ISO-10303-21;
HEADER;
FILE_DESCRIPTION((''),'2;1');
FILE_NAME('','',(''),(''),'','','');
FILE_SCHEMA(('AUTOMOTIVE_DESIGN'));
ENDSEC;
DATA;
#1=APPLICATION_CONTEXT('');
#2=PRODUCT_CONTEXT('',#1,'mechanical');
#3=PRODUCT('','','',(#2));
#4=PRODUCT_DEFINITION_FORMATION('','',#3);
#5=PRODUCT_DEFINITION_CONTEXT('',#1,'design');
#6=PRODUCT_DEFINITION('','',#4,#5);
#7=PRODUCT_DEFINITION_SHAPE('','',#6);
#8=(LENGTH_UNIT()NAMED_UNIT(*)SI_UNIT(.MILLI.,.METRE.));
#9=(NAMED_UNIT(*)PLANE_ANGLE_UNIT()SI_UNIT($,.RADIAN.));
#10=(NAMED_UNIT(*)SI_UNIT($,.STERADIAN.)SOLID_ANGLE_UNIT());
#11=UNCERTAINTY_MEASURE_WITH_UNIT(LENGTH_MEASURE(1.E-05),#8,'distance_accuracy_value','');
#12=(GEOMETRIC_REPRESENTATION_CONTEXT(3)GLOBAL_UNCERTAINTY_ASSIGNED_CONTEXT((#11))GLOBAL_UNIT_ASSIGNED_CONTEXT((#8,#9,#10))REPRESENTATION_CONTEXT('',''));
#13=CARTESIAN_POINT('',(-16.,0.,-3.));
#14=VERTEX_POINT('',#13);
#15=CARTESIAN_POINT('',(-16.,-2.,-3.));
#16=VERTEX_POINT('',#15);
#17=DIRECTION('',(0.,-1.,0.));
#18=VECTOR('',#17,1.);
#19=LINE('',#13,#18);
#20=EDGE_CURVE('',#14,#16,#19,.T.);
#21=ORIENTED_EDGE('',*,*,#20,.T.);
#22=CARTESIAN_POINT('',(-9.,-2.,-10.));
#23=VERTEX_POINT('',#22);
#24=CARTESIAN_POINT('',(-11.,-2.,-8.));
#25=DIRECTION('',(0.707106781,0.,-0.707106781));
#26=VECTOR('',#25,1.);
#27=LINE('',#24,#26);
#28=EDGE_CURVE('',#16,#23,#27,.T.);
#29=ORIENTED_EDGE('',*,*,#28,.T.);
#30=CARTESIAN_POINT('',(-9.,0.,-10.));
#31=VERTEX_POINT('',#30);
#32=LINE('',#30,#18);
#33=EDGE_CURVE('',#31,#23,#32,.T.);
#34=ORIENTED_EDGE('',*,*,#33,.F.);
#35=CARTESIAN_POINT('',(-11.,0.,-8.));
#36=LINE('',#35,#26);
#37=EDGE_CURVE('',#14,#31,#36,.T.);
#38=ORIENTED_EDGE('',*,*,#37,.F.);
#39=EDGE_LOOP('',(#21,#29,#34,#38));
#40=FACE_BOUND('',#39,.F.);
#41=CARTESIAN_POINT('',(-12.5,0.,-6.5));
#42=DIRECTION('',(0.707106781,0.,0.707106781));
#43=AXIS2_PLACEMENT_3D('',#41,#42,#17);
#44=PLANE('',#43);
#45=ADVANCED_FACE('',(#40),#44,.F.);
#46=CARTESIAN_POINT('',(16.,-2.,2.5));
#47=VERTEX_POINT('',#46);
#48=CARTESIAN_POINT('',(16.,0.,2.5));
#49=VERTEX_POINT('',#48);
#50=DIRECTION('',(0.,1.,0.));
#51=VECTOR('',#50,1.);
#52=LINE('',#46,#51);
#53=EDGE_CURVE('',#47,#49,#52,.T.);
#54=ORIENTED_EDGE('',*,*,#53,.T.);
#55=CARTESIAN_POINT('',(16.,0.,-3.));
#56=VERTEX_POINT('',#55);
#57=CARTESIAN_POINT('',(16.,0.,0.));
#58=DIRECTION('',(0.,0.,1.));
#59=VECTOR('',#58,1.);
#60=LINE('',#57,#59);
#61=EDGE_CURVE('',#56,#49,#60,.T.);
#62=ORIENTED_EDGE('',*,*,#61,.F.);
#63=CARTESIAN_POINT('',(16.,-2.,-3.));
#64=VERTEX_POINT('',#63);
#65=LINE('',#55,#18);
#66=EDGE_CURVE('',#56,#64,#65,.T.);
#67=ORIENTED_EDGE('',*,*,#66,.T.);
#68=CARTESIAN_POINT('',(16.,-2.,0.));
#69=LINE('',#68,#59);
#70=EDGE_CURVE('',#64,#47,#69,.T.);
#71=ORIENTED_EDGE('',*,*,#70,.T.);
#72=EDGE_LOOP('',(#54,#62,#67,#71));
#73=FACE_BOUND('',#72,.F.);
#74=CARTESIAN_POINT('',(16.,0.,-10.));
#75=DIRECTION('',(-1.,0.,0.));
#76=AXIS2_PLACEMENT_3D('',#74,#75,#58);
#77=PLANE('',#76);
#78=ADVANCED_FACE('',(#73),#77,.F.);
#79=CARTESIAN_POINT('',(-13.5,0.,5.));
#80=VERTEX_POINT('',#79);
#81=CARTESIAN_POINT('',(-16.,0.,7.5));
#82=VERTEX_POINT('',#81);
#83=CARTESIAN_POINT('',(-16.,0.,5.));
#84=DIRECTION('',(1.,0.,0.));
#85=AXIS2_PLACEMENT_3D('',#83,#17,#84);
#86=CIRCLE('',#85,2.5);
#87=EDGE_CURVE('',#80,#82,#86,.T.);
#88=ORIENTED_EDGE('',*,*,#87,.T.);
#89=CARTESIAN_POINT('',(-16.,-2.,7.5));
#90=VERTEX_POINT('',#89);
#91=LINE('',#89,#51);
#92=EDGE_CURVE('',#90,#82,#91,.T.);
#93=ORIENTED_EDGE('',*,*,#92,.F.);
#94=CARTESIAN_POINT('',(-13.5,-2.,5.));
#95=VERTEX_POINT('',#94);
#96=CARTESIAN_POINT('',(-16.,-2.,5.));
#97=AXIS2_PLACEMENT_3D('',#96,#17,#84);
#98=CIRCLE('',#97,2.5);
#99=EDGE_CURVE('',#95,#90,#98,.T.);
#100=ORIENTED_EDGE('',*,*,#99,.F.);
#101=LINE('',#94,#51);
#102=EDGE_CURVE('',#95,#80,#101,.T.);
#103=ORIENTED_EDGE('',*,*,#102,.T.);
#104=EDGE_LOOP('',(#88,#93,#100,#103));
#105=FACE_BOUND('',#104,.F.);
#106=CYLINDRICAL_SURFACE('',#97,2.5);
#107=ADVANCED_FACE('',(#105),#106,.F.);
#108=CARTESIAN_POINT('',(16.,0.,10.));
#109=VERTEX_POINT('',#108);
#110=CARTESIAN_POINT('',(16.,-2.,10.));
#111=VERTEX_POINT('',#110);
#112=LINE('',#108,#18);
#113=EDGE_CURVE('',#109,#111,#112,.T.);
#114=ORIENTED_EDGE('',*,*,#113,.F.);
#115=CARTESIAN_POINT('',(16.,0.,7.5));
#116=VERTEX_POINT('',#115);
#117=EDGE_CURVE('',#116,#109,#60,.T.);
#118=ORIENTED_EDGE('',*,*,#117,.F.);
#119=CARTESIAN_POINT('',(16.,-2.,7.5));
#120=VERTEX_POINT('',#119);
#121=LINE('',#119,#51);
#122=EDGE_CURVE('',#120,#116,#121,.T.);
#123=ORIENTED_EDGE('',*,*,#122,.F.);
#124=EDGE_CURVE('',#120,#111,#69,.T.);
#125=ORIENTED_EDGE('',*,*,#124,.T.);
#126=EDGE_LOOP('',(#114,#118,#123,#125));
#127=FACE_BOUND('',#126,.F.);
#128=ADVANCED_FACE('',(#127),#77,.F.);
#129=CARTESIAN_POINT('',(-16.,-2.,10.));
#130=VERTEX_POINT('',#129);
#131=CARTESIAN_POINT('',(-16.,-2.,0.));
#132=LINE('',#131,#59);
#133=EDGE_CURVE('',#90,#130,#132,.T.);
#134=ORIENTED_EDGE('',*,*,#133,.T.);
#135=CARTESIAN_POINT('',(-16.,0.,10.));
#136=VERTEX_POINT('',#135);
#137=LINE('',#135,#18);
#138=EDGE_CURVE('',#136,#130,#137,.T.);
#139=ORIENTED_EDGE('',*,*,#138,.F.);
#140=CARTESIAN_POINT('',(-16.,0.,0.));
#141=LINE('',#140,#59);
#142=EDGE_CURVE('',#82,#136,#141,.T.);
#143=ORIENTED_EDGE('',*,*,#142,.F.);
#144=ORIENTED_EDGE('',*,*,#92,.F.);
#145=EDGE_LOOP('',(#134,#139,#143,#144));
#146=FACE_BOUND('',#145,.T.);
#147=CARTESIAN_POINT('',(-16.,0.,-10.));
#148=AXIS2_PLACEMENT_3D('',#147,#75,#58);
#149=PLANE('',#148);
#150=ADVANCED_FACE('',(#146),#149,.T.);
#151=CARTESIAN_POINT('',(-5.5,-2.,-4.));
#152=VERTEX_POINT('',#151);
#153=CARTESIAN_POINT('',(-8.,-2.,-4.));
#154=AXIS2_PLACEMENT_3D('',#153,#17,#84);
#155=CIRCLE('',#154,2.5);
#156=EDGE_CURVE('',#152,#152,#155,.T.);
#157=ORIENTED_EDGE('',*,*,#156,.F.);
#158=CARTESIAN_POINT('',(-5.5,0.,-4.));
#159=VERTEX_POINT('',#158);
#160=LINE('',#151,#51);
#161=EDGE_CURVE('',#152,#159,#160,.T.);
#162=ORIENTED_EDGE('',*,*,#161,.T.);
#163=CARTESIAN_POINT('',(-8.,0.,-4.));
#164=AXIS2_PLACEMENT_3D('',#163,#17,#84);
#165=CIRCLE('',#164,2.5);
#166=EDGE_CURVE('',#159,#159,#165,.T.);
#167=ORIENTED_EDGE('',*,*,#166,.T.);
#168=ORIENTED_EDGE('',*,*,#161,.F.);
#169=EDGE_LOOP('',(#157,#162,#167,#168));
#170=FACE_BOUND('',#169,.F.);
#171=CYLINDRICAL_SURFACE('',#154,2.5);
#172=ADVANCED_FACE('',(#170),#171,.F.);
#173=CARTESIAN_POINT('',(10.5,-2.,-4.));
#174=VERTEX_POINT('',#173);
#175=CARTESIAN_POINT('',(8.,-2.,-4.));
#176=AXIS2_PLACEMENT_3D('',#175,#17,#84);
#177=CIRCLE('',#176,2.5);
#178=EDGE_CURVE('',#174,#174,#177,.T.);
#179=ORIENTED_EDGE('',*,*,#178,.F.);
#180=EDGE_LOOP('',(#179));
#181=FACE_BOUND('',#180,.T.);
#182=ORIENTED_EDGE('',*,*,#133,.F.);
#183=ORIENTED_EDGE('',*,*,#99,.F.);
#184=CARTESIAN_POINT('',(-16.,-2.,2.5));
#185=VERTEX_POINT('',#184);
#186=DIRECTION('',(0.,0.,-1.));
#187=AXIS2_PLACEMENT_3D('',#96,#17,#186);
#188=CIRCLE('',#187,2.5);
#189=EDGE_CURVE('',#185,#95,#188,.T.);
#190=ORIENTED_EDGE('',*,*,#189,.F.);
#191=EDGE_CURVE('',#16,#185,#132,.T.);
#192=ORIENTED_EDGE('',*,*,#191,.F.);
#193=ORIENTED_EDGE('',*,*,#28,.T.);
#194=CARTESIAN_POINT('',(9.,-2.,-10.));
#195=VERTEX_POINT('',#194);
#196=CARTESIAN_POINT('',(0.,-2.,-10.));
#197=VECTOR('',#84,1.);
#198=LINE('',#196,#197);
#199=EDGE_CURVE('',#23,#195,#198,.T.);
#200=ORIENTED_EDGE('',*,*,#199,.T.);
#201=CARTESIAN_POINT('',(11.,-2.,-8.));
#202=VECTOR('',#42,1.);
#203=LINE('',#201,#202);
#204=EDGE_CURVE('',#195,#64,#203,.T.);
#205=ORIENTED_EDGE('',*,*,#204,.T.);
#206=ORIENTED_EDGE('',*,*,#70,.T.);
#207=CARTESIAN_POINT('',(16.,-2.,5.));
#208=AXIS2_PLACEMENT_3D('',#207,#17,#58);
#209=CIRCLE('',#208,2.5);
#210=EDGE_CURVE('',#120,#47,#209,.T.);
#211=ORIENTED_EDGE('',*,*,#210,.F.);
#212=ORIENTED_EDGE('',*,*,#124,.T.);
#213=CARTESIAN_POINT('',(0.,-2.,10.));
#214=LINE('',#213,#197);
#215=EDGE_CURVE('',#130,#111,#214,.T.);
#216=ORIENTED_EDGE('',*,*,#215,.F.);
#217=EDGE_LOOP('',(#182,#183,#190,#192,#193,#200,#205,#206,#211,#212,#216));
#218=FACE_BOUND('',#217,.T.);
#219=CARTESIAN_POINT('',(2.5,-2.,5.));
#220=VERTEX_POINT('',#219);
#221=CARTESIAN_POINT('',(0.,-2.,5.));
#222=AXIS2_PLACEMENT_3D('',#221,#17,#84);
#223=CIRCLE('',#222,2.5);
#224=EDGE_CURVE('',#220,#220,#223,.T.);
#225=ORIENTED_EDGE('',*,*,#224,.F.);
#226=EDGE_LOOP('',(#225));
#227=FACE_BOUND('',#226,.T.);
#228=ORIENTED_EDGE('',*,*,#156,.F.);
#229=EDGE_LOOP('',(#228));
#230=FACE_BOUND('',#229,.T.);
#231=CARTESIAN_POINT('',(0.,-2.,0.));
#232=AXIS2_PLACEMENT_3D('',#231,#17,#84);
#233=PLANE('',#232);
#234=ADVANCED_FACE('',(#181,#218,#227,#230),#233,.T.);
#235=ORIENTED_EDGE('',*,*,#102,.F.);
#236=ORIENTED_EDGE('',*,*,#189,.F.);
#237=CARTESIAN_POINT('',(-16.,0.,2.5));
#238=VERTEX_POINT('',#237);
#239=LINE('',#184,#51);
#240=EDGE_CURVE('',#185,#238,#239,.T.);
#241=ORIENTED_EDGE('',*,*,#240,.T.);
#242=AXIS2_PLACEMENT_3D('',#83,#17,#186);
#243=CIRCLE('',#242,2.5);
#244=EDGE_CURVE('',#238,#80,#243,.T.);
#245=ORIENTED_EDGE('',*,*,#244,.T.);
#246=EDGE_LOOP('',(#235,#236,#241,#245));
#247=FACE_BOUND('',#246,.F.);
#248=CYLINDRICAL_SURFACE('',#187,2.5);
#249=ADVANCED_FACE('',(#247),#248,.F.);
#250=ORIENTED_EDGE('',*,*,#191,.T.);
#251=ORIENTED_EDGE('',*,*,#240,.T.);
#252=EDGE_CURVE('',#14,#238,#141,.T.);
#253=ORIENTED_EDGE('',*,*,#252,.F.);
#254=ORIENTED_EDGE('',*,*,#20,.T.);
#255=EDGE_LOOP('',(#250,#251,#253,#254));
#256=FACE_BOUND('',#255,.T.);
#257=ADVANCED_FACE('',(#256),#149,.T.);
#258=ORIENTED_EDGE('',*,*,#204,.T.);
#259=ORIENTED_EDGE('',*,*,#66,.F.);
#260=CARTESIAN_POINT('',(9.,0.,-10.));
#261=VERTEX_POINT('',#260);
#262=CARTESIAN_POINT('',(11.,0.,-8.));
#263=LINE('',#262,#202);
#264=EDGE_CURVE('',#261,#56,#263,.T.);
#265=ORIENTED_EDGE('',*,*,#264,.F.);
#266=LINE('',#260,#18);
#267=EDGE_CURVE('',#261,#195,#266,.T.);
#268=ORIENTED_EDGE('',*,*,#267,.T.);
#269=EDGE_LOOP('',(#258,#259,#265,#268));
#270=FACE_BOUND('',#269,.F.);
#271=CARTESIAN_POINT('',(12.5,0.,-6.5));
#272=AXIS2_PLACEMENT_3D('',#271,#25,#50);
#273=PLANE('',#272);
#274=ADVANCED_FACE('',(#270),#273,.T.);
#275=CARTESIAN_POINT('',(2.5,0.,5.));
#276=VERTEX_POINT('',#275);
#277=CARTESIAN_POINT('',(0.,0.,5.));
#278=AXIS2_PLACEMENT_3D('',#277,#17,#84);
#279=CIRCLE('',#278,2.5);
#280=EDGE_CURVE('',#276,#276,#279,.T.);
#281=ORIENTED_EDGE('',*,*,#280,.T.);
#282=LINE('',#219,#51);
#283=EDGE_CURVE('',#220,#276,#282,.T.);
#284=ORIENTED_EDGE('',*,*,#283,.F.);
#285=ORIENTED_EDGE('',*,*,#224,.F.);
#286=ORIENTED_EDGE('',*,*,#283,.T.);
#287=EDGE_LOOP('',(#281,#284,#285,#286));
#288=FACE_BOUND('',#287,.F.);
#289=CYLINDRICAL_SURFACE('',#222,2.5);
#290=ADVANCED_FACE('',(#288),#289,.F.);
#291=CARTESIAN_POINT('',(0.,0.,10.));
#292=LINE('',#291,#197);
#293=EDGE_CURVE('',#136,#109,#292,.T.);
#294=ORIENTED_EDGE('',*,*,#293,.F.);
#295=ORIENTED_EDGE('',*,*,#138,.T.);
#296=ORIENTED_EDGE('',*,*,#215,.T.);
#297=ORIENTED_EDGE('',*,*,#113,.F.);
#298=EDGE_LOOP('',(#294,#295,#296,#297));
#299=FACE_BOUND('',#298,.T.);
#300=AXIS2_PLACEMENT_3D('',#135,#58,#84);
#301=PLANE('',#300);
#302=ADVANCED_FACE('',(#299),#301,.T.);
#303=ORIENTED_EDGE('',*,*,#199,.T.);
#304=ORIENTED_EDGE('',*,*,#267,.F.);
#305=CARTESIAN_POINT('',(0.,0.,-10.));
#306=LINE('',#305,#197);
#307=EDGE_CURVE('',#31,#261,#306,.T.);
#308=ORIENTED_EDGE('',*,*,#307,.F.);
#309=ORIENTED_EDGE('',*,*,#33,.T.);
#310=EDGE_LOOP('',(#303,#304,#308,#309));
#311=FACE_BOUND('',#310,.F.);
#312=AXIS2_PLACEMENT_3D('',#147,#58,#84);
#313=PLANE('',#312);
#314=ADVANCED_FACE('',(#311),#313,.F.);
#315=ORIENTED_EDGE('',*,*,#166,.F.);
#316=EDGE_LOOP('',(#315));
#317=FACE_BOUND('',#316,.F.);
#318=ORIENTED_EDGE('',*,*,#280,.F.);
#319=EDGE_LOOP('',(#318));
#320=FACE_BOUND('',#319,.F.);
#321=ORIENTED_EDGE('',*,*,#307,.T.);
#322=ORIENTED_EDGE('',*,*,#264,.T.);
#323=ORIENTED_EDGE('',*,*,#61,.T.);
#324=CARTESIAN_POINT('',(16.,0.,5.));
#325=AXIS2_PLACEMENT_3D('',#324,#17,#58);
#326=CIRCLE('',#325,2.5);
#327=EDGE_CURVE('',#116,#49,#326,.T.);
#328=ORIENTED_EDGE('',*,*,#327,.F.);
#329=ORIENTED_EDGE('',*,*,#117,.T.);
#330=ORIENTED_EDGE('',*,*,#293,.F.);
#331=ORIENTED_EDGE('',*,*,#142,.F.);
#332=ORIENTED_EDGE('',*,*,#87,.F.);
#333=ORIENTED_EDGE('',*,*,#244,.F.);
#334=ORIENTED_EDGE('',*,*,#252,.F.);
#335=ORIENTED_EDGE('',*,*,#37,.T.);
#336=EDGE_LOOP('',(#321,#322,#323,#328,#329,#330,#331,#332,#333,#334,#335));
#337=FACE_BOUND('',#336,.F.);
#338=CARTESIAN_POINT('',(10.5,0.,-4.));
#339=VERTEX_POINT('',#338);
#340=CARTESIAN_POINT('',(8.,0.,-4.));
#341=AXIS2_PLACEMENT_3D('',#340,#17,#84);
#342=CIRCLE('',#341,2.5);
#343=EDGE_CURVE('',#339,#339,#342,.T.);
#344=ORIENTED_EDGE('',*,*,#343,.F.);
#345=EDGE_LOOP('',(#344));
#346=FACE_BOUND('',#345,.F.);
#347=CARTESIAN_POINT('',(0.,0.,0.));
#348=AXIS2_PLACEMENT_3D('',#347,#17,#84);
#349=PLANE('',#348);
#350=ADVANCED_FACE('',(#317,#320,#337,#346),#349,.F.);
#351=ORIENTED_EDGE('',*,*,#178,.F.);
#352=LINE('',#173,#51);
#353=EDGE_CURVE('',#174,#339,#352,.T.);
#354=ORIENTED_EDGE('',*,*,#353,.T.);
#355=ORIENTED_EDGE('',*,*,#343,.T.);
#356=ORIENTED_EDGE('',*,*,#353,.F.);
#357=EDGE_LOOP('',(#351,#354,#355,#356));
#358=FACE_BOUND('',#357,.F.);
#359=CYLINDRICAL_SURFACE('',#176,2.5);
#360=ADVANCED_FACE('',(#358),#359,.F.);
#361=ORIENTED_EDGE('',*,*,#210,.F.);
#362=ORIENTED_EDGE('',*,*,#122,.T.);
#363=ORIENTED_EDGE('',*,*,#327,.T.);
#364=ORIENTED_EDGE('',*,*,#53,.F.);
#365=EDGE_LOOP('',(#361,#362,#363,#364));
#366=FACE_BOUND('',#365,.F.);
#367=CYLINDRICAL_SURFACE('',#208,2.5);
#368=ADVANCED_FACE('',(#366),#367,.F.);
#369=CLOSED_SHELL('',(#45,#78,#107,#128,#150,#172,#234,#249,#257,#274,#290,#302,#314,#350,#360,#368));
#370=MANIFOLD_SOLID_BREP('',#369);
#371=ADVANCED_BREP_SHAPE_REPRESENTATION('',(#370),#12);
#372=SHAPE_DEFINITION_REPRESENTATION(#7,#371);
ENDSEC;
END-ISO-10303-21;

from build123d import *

# Parameters (mm, degrees)
F0_W     = 32
F0_H     = 20
F1_DEPTH = 2
F2_SIZE  = 7
F3_R     = 2.5
F4_DEPTH = 25


with BuildPart() as f1:
    # F0 (on Front) → F1 (new body)
    with BuildSketch(Plane.XZ):
        Rectangle(F0_W, F0_H)
    extrude(amount=F1_DEPTH)

    # F2
    f2_edges = [f1.edges().sort_by_distance(p)[0] for p in [
        (-16, -1, -10),
        (16, -1, -10),
    ]]
    chamfer(f2_edges, length=F2_SIZE)

    # F3 (on face) → F4 (cut)
    with BuildSketch(Plane.XZ.offset(2)):
        with BuildLine():
            ThreePointArc((-16, 2.5), (-14.232233047, 3.232233047), (-13.5, 5))
            ThreePointArc((-13.5, 5), (-14.232233047, 6.767766953), (-16, 7.5))
            Line((-16, 7.5), (-16, 2.5))
        make_face()
        with Locations((0, 5)):
            Circle(F3_R)
        with Locations((-8, -4)):
            Circle(F3_R)
        with Locations((8, -4)):
            Circle(F3_R)
        with BuildLine():
            Line((16, 2.5), (16, 7.5))
            ThreePointArc((16, 7.5), (13.5, 5), (16, 2.5))
        make_face()
    extrude(amount=-F4_DEPTH, mode=Mode.SUBTRACT)


solid = f1.part
